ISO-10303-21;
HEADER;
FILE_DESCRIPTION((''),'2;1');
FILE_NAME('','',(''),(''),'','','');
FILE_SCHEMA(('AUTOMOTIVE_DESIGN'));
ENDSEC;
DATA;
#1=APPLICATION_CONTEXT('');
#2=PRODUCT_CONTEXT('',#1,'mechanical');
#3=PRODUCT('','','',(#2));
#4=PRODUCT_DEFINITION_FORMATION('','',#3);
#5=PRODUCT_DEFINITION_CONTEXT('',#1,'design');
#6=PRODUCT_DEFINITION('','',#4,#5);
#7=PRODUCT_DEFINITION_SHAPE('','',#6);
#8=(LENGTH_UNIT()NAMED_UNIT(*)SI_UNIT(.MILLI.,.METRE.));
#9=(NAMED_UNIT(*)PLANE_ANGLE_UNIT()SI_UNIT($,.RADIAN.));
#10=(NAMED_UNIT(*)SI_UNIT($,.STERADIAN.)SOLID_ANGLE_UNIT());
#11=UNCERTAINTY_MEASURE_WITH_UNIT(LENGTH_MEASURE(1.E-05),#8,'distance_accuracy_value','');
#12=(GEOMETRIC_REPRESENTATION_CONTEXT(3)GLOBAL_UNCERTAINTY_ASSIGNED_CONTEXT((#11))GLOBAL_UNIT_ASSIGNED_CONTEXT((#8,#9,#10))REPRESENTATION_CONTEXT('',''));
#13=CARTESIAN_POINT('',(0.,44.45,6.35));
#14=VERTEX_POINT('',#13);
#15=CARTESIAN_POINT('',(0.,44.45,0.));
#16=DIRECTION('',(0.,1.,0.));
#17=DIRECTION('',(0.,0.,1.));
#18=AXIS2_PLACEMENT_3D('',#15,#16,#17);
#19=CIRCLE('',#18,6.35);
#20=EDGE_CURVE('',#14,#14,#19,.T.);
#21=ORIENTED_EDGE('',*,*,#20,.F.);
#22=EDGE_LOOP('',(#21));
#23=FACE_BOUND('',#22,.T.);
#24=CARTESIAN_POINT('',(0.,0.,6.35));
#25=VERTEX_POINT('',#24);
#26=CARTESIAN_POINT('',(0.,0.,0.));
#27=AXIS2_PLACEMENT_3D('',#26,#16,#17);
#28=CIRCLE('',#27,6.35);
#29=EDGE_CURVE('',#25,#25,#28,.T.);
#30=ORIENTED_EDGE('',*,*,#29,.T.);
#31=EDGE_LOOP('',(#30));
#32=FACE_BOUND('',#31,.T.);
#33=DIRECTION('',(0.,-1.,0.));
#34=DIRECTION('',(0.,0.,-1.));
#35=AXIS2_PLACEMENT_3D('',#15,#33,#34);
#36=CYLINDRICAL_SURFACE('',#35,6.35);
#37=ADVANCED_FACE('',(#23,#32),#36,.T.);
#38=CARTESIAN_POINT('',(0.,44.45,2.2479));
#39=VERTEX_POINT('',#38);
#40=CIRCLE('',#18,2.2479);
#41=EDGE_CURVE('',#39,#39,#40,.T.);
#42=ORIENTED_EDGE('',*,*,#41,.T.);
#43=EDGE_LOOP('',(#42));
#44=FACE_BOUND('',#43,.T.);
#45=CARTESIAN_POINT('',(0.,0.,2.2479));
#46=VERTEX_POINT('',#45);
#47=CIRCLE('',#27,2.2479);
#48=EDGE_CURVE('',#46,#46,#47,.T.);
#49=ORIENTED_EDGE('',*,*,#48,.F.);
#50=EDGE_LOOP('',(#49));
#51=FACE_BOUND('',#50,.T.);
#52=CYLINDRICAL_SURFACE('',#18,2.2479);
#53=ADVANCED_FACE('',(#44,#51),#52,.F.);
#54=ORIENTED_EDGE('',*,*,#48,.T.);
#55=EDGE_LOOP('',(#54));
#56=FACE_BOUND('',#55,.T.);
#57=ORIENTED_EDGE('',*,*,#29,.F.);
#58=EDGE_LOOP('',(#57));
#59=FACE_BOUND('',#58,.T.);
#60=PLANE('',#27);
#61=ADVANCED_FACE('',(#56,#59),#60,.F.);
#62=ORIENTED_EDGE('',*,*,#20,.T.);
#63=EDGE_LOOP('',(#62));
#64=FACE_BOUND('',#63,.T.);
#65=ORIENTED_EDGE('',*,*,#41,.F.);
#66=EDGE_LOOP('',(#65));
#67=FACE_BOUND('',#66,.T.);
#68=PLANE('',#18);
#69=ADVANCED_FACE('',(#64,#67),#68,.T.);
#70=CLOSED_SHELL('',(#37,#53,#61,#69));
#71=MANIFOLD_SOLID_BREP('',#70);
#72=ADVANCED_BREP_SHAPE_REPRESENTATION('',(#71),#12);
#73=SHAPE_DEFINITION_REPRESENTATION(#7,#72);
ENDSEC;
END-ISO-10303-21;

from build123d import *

# Parameters (mm, degrees)
SKETCH1_R             = 6.35
BOSS_EXTRUDE1_DEPTH   = 44.45
F_8_CLEARANCE_HOLE1_D = 4.4958


with BuildPart() as part:
    # Sketch1 → Boss-Extrude1 (new body)
    with BuildSketch(Plane(origin=(0, 0, 0), x_dir=(1, 0, 0), z_dir=(0, 1, 0))):
        with Locations(Location((0, 0, 0), (0, 0, 270))):
            Circle(SKETCH1_R)
    extrude(amount=BOSS_EXTRUDE1_DEPTH)

    # #8 Clearance Hole1 (through all)
    with Locations(Plane(origin=(0, 44.45, 0), x_dir=(1, 0, 0), z_dir=(0, 1, 0))):
        with Locations((0, 0)):
            Hole(F_8_CLEARANCE_HOLE1_D / 2)


solid = part.part
